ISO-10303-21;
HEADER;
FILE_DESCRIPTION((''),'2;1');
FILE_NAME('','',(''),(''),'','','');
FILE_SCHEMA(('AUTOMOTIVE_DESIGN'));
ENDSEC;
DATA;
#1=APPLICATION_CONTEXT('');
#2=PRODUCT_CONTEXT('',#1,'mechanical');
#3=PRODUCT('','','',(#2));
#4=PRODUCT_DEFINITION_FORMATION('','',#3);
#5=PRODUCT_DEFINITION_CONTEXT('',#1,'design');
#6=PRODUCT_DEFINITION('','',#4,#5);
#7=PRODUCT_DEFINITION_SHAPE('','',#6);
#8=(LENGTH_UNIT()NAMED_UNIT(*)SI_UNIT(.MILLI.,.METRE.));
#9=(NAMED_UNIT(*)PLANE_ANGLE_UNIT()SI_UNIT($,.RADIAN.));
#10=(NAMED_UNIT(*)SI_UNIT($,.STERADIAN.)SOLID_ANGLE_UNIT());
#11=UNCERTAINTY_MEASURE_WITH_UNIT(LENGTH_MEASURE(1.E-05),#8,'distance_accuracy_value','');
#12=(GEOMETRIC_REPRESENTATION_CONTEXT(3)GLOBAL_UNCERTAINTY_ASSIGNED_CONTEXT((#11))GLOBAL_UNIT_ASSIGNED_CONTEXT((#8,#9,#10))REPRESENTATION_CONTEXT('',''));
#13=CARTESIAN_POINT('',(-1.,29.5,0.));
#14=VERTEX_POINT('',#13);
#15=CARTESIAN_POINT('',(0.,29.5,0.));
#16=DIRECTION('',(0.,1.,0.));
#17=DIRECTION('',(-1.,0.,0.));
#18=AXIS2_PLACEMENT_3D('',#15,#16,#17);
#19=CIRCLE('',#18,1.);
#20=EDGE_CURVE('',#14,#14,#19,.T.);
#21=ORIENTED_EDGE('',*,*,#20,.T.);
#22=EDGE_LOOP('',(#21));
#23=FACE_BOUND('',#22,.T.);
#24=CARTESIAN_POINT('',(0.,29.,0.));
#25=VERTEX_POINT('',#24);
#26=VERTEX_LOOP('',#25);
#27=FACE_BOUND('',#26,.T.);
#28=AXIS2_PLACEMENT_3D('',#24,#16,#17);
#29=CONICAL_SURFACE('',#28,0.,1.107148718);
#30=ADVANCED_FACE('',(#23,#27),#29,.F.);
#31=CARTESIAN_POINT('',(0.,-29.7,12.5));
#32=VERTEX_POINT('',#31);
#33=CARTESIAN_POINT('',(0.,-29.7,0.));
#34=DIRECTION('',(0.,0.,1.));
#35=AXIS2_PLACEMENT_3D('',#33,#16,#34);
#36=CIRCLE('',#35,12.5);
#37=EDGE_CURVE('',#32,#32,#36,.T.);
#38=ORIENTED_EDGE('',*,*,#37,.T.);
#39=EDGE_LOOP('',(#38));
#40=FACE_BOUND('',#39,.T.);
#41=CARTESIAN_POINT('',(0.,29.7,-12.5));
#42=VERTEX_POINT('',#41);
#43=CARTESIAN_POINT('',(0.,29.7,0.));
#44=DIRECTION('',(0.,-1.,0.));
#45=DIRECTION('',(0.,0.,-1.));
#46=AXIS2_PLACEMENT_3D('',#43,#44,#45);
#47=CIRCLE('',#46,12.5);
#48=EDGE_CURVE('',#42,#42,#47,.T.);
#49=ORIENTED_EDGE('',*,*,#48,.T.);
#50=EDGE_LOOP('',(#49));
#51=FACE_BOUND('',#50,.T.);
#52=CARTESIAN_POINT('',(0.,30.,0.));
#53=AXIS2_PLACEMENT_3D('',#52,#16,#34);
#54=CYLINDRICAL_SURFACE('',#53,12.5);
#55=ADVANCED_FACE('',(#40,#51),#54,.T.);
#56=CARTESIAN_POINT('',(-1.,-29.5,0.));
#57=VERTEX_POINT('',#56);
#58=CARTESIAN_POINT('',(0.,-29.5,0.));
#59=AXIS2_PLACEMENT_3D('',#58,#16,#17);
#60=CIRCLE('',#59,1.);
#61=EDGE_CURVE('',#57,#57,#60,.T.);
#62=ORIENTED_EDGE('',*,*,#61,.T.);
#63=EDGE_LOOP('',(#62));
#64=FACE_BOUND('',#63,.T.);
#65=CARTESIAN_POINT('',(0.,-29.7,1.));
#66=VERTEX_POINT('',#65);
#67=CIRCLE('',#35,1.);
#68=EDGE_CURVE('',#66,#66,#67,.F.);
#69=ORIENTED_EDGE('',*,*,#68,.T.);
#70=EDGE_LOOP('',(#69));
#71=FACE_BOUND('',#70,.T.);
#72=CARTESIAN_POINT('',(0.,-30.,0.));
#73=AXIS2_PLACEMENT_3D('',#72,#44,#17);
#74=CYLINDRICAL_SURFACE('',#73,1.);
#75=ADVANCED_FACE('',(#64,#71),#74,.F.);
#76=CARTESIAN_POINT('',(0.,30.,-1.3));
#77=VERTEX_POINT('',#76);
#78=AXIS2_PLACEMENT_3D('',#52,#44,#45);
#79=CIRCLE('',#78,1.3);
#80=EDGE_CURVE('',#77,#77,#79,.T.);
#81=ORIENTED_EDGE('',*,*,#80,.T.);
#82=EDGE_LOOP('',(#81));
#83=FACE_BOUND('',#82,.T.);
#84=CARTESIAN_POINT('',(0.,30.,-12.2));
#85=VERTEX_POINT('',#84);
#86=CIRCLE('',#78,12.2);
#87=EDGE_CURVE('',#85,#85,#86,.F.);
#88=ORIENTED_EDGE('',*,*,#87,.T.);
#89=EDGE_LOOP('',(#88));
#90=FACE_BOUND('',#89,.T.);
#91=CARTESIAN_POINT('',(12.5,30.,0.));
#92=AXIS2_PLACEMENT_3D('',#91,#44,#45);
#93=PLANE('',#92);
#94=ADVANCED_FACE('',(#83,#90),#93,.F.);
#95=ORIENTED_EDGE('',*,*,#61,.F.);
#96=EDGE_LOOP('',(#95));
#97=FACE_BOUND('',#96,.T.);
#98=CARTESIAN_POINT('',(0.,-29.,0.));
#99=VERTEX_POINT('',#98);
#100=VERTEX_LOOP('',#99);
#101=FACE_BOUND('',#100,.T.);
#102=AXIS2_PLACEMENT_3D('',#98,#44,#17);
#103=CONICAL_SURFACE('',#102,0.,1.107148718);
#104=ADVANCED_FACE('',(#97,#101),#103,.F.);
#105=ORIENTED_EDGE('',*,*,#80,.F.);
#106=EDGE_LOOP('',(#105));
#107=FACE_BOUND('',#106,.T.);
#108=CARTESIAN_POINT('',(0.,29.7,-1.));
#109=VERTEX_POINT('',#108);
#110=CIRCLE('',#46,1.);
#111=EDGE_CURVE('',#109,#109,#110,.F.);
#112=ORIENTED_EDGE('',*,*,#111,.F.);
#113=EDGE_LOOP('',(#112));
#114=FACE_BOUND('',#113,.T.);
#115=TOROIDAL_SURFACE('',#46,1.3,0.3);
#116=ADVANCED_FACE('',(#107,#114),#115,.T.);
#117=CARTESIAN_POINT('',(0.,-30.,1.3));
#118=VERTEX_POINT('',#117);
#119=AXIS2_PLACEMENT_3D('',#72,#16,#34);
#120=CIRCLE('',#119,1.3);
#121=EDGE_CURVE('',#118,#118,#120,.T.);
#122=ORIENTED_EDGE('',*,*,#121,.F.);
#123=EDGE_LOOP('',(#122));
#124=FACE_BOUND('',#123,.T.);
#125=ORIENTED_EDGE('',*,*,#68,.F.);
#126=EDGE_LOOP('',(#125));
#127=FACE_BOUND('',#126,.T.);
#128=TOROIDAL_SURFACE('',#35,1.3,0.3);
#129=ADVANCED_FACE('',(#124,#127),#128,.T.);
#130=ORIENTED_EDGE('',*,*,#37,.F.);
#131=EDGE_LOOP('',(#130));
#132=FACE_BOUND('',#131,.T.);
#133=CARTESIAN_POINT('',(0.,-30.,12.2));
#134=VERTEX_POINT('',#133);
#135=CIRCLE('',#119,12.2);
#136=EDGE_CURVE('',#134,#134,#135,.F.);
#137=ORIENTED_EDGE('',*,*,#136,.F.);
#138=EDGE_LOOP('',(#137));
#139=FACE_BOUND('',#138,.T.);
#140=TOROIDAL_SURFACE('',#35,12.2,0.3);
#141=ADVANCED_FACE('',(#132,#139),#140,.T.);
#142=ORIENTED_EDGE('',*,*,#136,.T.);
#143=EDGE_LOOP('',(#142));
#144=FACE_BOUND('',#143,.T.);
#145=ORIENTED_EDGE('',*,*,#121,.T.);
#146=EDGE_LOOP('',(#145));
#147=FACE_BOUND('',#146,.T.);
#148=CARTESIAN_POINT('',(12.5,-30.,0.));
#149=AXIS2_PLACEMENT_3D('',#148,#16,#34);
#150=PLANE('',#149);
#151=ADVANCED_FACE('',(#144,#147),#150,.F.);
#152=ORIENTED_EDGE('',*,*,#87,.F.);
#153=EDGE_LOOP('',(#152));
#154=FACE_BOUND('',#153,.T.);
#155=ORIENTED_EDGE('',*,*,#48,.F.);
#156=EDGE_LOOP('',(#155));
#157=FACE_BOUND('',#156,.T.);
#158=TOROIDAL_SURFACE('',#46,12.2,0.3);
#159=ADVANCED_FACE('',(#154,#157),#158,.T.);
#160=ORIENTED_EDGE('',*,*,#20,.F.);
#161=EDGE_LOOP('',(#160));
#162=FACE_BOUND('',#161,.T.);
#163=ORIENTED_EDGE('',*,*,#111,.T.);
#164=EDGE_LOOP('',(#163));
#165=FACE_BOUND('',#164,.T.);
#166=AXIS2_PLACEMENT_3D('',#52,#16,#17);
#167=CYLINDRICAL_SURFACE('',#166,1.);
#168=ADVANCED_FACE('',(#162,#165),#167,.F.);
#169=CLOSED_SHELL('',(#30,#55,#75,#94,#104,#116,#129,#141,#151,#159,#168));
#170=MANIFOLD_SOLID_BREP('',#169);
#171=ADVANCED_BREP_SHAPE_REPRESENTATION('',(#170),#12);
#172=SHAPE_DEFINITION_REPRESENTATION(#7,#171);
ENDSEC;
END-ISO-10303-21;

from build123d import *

# Parameters (mm, degrees)
SKETCH2_W = 12.5
SKETCH2_H = 60
FILLET1_R = 0.3


with BuildPart() as part:
    # Sketch2 → Revolve1 (revolve)
    with BuildSketch(Plane.XY, mode=Mode.PRIVATE) as revolve1_sk:
        with Locations((6.25, 0)):
            Rectangle(SKETCH2_W, SKETCH2_H)
    revolve(revolve1_sk.sketch.rotate(Axis((0, 30, 0), (0, -1, 0)), 90), axis=Axis((0, 30, 0), (0, -1, 0)))

    # Sketch4 → Cut-Revolve1 (revolve, cut)
    with BuildSketch(Plane.XY, mode=Mode.PRIVATE) as cut_revolve1_sk:
        Polygon((0, 30), (0, 29), (1, 29.5), (1, 30), align=None)
    cut_revolve1 = revolve(cut_revolve1_sk.sketch.rotate(Axis((0, 30, 0), (0, -1, 0)), 180), axis=Axis((0, 30, 0), (0, -1, 0)), mode=Mode.SUBTRACT)

    # Mirror2: Cut-Revolve1 across plane
    add(cut_revolve1.mirror(Plane.ZX), mode=Mode.SUBTRACT)

    # Fillet1
    fillet1_edges = [part.edges().sort_by_distance(p)[0] for p in [
        (1, -30, 0),
        (0, -30, -12.5),
        (0, 30, -12.5),
        (1, 30, 0),
    ]]
    fillet(fillet1_edges, radius=FILLET1_R)


solid = part.part
